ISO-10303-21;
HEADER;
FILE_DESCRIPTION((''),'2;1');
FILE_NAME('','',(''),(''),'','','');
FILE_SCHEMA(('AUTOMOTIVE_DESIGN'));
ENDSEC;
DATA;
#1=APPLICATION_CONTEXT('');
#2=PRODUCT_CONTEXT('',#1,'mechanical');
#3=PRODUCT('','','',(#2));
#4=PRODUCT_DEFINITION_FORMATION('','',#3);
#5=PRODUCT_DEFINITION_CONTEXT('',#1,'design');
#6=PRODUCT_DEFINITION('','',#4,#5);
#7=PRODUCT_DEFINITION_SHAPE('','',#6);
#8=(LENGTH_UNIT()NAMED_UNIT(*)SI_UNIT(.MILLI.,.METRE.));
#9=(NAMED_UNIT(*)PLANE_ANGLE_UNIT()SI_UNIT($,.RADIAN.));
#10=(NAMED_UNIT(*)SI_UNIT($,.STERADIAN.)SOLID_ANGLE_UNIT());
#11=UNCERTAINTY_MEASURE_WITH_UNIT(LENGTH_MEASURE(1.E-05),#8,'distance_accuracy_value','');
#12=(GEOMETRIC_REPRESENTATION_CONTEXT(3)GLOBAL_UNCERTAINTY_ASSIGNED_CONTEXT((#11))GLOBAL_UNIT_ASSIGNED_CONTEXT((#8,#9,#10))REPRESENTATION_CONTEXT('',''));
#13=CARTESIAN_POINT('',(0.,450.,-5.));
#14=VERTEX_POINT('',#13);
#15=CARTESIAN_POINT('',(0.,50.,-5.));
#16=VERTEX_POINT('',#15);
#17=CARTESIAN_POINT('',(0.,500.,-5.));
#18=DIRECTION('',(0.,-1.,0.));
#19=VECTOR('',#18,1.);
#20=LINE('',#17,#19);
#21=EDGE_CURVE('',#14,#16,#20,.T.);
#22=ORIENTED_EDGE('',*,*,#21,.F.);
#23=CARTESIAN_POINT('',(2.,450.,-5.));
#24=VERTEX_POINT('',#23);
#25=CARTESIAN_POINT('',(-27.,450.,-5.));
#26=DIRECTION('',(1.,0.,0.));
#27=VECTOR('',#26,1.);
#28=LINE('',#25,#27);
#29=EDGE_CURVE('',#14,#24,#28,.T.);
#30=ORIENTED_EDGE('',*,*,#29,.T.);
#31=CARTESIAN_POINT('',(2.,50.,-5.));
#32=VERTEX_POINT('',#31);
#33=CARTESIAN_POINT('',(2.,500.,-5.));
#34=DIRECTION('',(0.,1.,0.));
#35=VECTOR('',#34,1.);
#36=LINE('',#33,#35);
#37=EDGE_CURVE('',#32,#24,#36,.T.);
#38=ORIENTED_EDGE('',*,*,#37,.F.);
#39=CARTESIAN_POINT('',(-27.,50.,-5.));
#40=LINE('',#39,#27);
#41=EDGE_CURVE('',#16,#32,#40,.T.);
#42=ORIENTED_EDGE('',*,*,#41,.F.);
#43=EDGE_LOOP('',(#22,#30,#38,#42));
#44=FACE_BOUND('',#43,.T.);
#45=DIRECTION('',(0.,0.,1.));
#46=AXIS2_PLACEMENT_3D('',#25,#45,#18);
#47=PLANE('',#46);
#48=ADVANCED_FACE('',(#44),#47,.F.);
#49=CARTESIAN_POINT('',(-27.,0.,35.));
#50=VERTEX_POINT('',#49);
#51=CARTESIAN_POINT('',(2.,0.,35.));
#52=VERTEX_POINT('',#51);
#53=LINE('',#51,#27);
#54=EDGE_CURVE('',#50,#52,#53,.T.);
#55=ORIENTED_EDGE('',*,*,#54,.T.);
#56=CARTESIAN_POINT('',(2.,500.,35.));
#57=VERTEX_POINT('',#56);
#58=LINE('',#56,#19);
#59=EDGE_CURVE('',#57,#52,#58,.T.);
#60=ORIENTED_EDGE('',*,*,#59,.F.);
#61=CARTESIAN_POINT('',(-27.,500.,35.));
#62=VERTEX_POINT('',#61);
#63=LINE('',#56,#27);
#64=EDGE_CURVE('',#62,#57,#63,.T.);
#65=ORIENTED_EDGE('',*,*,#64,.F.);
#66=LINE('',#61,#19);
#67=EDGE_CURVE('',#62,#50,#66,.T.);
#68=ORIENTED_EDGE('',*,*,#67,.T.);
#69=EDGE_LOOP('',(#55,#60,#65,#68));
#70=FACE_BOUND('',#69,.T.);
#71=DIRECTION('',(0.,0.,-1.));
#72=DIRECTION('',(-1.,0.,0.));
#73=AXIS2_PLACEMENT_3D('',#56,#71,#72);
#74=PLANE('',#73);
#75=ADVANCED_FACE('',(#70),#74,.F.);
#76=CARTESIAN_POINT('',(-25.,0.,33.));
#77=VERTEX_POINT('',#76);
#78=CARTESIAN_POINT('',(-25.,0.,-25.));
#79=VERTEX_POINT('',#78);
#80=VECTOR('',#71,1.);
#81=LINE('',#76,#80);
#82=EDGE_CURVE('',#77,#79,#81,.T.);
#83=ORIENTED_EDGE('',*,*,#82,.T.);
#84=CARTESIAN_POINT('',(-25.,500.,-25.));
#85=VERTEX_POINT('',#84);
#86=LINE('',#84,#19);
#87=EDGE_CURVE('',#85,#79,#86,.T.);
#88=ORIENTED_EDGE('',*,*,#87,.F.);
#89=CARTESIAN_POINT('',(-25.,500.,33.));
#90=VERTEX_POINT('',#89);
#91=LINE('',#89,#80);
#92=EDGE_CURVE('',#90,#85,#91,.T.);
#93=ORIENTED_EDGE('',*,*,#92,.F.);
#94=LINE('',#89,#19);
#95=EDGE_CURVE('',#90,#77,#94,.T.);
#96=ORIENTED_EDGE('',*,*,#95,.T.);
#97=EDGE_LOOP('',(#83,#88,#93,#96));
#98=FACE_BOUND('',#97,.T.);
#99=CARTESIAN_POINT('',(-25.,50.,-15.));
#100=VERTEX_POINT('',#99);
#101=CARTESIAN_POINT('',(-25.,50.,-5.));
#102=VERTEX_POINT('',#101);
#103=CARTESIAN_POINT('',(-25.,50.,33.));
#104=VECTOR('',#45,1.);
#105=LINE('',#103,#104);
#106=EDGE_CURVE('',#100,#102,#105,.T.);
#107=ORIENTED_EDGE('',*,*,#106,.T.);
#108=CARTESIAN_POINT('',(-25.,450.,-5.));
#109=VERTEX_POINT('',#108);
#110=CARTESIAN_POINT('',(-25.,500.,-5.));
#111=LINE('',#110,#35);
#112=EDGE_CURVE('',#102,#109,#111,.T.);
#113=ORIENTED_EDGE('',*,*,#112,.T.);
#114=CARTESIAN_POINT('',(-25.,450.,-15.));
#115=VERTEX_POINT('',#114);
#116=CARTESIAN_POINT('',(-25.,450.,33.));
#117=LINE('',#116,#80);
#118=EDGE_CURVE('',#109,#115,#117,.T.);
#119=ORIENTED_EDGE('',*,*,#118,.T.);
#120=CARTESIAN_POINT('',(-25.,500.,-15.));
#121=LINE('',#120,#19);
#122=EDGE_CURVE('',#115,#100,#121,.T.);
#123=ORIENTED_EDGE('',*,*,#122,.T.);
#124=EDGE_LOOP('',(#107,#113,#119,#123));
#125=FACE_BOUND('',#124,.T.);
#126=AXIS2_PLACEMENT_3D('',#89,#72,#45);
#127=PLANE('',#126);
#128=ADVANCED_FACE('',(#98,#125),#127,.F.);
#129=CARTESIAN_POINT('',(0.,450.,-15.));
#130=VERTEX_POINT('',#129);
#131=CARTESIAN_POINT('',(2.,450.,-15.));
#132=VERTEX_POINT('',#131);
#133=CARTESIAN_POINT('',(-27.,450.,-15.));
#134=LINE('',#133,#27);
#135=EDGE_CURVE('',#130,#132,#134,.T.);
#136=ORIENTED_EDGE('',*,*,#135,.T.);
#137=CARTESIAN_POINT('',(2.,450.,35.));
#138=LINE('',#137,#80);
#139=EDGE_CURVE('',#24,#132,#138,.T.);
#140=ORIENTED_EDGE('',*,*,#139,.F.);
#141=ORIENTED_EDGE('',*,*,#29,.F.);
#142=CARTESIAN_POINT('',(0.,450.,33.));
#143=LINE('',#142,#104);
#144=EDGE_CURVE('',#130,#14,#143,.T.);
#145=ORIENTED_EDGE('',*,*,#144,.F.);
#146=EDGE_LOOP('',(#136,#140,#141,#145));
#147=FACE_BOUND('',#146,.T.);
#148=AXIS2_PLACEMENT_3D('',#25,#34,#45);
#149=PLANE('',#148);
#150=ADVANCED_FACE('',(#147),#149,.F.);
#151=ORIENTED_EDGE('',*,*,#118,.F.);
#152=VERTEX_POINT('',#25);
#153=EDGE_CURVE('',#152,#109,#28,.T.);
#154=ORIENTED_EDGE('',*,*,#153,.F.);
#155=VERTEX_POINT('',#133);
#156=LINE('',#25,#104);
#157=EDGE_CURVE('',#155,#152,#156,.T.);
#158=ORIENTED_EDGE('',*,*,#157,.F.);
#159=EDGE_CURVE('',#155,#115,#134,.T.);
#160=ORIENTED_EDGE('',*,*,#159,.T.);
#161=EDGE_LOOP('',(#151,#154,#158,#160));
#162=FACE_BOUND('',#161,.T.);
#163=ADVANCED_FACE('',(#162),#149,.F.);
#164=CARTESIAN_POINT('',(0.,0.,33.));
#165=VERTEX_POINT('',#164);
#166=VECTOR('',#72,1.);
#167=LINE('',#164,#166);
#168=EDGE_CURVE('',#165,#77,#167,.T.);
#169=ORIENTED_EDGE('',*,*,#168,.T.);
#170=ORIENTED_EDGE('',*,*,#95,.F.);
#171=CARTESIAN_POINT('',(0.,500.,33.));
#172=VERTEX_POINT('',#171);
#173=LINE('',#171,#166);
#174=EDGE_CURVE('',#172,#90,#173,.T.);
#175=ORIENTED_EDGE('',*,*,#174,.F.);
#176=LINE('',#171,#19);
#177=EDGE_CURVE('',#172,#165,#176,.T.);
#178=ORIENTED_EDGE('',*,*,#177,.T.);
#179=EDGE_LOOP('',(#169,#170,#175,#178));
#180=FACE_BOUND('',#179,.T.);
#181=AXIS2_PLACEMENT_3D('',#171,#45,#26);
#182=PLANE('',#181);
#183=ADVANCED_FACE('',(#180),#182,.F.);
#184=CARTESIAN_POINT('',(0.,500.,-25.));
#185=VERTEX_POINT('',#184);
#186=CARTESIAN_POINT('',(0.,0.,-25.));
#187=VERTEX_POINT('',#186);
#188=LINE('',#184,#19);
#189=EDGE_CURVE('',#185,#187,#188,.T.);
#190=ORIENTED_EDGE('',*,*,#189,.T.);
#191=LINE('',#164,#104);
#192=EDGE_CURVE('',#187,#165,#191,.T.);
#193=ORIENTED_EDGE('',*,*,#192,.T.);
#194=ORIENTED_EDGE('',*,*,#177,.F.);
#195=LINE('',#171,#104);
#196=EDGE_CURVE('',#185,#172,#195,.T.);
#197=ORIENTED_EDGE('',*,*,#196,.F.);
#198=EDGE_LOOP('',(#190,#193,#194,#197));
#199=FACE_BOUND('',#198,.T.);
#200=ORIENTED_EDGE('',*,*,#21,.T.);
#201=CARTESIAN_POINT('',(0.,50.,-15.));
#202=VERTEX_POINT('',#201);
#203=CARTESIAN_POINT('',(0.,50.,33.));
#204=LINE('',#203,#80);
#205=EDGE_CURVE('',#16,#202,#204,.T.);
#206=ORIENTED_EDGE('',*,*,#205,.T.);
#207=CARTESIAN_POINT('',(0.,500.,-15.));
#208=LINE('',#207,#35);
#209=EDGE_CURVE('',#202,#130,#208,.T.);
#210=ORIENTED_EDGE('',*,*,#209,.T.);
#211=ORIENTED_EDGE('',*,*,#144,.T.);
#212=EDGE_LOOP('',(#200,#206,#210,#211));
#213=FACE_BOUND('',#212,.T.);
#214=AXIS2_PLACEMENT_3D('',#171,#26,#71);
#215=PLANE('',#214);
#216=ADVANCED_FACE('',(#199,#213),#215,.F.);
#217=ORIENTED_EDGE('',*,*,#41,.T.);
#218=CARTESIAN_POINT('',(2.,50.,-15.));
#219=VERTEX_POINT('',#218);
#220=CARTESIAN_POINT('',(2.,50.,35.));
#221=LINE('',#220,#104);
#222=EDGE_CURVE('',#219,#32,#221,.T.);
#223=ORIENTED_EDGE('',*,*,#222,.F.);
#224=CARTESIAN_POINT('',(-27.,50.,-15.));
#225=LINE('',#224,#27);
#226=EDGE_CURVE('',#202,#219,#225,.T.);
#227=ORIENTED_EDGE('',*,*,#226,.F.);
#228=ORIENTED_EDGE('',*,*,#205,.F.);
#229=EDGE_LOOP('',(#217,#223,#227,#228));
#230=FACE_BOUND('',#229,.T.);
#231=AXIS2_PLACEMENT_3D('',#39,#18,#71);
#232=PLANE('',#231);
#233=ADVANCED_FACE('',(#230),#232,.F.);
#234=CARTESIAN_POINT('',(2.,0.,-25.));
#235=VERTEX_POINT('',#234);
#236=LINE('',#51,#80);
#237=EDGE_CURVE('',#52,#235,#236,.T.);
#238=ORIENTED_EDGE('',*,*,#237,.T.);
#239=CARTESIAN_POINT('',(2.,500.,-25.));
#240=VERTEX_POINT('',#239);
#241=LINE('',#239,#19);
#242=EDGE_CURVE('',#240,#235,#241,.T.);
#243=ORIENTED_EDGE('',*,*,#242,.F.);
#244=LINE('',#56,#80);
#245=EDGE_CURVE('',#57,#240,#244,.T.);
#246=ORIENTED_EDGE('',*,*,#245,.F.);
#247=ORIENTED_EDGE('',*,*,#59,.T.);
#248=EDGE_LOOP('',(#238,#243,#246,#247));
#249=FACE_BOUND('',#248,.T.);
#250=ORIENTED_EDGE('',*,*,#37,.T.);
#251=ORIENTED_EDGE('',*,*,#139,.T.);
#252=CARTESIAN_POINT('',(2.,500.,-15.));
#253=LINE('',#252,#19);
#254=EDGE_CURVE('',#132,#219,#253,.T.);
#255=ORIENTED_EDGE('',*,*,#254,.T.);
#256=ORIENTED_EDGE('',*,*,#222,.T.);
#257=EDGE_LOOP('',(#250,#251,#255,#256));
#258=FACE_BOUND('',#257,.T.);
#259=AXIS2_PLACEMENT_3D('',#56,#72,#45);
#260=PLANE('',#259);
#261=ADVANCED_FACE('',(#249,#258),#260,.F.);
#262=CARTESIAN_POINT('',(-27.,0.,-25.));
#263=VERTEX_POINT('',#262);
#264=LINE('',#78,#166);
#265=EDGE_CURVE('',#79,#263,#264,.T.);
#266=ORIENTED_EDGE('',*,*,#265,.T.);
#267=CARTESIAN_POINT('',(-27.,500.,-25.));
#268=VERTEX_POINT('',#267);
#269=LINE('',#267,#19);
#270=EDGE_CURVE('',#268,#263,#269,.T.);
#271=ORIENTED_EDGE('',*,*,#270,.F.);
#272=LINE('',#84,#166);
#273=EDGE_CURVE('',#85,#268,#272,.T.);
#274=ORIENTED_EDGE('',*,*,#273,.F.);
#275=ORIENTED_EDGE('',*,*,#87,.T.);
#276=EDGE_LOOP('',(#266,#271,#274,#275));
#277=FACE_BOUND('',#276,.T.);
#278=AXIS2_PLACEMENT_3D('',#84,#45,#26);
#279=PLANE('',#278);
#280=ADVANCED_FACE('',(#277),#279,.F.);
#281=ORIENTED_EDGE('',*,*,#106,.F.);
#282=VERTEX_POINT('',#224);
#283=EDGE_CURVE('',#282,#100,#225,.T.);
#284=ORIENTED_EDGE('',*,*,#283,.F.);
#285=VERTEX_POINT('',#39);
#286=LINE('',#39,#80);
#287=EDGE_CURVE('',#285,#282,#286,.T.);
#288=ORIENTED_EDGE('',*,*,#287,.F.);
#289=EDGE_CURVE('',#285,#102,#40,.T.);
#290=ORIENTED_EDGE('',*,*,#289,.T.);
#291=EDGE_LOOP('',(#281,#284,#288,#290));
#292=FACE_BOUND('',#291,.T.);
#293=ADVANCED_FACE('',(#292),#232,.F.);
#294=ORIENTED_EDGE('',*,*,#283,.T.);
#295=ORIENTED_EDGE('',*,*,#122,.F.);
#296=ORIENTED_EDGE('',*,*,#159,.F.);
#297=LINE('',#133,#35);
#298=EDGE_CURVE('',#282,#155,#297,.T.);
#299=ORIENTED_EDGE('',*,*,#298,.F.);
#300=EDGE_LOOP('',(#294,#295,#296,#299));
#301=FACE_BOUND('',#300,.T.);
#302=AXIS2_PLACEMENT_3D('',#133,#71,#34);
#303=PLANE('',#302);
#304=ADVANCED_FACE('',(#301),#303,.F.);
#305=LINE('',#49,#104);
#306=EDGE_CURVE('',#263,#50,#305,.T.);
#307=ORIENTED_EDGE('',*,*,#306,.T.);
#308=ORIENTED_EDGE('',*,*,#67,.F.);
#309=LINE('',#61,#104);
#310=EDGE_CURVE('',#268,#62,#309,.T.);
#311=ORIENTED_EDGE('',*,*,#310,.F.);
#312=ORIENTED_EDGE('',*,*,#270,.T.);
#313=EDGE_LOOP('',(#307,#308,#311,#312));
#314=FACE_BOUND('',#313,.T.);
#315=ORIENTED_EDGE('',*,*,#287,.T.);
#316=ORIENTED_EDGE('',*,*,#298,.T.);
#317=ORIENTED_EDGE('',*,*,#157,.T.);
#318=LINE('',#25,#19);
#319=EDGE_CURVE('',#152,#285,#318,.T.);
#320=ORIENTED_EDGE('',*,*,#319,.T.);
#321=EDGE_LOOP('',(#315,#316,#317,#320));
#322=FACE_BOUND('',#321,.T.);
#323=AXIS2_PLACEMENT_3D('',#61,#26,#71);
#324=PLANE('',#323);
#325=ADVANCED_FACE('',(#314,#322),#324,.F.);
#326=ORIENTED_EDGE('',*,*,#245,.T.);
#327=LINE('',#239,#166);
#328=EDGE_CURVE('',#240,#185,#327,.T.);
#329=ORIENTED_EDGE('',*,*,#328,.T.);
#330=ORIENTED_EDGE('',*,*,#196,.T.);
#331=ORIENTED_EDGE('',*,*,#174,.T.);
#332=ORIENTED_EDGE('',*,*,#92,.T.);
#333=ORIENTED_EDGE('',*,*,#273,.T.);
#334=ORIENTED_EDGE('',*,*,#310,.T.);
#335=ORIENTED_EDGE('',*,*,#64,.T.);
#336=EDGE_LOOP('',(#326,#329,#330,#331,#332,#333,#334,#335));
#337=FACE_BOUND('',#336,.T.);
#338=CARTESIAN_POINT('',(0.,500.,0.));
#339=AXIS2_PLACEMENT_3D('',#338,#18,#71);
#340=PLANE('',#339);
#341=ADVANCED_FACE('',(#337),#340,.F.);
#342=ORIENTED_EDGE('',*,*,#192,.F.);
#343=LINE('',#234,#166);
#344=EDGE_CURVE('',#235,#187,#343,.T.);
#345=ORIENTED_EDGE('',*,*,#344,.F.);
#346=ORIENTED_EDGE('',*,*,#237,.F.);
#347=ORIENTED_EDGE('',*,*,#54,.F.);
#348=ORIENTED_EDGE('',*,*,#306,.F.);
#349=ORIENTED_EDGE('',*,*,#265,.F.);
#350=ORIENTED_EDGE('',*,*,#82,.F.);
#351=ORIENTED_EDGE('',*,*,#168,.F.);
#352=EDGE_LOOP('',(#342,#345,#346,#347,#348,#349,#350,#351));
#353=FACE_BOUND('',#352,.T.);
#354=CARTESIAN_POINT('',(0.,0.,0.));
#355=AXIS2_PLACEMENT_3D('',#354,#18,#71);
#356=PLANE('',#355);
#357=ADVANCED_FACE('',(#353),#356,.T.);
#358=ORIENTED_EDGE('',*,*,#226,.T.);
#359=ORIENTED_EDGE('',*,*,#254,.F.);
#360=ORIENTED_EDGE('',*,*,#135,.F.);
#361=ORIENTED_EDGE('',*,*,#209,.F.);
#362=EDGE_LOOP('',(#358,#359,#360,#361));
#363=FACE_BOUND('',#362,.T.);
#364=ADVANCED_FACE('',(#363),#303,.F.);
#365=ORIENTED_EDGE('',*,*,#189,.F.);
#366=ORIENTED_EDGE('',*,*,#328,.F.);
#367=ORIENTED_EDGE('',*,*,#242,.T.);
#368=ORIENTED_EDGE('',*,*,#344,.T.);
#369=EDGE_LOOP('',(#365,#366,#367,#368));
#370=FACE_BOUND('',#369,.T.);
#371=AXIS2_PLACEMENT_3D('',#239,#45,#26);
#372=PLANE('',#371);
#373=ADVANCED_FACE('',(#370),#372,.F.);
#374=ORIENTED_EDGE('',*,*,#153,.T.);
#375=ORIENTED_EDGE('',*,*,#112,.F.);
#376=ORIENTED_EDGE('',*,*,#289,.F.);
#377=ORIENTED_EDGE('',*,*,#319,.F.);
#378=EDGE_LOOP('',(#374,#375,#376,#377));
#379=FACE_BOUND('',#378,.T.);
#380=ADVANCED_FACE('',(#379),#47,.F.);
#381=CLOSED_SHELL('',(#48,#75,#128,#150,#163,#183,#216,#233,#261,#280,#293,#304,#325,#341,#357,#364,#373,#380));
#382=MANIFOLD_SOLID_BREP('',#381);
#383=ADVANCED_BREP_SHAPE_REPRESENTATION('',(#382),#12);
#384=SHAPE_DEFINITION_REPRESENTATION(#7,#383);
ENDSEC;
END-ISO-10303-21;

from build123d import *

# Parameters (mm, degrees)
BOSS_EXTRUDE1_DEPTH     = 500
CUT_EXTRUDE1_DEPTH      = 503.06174919
CUT_EXTRUDE1_DEPTH_BACK = 503.06174919
SKETCH2_W               = 10
SKETCH2_H               = 400


with BuildPart() as part:
    # Sketch1 → Boss-Extrude1 (new body)
    with BuildSketch(Plane(origin=(0, 0, 0), x_dir=(1, 0, 0), z_dir=(0, 1, 0))):
        Polygon((-25, -33), (-25, 25), (-27, 25), (-27, -35), (2, -35), (2, 25), (0, 25), (0, -33), align=None)
    extrude(amount=BOSS_EXTRUDE1_DEPTH)

    # Sketch2 → Cut-Extrude1 (cut, two sides: drawn at the far end of the back side and taken through both)
    with BuildSketch(Plane(origin=(2, 0, 0), x_dir=(0, 0, -1), z_dir=(1, 0, 0)).offset(-CUT_EXTRUDE1_DEPTH_BACK)):
        with Locations((10, 250)):
            Rectangle(SKETCH2_W, SKETCH2_H)
    extrude(amount=CUT_EXTRUDE1_DEPTH + CUT_EXTRUDE1_DEPTH_BACK, mode=Mode.SUBTRACT)


solid = part.part
